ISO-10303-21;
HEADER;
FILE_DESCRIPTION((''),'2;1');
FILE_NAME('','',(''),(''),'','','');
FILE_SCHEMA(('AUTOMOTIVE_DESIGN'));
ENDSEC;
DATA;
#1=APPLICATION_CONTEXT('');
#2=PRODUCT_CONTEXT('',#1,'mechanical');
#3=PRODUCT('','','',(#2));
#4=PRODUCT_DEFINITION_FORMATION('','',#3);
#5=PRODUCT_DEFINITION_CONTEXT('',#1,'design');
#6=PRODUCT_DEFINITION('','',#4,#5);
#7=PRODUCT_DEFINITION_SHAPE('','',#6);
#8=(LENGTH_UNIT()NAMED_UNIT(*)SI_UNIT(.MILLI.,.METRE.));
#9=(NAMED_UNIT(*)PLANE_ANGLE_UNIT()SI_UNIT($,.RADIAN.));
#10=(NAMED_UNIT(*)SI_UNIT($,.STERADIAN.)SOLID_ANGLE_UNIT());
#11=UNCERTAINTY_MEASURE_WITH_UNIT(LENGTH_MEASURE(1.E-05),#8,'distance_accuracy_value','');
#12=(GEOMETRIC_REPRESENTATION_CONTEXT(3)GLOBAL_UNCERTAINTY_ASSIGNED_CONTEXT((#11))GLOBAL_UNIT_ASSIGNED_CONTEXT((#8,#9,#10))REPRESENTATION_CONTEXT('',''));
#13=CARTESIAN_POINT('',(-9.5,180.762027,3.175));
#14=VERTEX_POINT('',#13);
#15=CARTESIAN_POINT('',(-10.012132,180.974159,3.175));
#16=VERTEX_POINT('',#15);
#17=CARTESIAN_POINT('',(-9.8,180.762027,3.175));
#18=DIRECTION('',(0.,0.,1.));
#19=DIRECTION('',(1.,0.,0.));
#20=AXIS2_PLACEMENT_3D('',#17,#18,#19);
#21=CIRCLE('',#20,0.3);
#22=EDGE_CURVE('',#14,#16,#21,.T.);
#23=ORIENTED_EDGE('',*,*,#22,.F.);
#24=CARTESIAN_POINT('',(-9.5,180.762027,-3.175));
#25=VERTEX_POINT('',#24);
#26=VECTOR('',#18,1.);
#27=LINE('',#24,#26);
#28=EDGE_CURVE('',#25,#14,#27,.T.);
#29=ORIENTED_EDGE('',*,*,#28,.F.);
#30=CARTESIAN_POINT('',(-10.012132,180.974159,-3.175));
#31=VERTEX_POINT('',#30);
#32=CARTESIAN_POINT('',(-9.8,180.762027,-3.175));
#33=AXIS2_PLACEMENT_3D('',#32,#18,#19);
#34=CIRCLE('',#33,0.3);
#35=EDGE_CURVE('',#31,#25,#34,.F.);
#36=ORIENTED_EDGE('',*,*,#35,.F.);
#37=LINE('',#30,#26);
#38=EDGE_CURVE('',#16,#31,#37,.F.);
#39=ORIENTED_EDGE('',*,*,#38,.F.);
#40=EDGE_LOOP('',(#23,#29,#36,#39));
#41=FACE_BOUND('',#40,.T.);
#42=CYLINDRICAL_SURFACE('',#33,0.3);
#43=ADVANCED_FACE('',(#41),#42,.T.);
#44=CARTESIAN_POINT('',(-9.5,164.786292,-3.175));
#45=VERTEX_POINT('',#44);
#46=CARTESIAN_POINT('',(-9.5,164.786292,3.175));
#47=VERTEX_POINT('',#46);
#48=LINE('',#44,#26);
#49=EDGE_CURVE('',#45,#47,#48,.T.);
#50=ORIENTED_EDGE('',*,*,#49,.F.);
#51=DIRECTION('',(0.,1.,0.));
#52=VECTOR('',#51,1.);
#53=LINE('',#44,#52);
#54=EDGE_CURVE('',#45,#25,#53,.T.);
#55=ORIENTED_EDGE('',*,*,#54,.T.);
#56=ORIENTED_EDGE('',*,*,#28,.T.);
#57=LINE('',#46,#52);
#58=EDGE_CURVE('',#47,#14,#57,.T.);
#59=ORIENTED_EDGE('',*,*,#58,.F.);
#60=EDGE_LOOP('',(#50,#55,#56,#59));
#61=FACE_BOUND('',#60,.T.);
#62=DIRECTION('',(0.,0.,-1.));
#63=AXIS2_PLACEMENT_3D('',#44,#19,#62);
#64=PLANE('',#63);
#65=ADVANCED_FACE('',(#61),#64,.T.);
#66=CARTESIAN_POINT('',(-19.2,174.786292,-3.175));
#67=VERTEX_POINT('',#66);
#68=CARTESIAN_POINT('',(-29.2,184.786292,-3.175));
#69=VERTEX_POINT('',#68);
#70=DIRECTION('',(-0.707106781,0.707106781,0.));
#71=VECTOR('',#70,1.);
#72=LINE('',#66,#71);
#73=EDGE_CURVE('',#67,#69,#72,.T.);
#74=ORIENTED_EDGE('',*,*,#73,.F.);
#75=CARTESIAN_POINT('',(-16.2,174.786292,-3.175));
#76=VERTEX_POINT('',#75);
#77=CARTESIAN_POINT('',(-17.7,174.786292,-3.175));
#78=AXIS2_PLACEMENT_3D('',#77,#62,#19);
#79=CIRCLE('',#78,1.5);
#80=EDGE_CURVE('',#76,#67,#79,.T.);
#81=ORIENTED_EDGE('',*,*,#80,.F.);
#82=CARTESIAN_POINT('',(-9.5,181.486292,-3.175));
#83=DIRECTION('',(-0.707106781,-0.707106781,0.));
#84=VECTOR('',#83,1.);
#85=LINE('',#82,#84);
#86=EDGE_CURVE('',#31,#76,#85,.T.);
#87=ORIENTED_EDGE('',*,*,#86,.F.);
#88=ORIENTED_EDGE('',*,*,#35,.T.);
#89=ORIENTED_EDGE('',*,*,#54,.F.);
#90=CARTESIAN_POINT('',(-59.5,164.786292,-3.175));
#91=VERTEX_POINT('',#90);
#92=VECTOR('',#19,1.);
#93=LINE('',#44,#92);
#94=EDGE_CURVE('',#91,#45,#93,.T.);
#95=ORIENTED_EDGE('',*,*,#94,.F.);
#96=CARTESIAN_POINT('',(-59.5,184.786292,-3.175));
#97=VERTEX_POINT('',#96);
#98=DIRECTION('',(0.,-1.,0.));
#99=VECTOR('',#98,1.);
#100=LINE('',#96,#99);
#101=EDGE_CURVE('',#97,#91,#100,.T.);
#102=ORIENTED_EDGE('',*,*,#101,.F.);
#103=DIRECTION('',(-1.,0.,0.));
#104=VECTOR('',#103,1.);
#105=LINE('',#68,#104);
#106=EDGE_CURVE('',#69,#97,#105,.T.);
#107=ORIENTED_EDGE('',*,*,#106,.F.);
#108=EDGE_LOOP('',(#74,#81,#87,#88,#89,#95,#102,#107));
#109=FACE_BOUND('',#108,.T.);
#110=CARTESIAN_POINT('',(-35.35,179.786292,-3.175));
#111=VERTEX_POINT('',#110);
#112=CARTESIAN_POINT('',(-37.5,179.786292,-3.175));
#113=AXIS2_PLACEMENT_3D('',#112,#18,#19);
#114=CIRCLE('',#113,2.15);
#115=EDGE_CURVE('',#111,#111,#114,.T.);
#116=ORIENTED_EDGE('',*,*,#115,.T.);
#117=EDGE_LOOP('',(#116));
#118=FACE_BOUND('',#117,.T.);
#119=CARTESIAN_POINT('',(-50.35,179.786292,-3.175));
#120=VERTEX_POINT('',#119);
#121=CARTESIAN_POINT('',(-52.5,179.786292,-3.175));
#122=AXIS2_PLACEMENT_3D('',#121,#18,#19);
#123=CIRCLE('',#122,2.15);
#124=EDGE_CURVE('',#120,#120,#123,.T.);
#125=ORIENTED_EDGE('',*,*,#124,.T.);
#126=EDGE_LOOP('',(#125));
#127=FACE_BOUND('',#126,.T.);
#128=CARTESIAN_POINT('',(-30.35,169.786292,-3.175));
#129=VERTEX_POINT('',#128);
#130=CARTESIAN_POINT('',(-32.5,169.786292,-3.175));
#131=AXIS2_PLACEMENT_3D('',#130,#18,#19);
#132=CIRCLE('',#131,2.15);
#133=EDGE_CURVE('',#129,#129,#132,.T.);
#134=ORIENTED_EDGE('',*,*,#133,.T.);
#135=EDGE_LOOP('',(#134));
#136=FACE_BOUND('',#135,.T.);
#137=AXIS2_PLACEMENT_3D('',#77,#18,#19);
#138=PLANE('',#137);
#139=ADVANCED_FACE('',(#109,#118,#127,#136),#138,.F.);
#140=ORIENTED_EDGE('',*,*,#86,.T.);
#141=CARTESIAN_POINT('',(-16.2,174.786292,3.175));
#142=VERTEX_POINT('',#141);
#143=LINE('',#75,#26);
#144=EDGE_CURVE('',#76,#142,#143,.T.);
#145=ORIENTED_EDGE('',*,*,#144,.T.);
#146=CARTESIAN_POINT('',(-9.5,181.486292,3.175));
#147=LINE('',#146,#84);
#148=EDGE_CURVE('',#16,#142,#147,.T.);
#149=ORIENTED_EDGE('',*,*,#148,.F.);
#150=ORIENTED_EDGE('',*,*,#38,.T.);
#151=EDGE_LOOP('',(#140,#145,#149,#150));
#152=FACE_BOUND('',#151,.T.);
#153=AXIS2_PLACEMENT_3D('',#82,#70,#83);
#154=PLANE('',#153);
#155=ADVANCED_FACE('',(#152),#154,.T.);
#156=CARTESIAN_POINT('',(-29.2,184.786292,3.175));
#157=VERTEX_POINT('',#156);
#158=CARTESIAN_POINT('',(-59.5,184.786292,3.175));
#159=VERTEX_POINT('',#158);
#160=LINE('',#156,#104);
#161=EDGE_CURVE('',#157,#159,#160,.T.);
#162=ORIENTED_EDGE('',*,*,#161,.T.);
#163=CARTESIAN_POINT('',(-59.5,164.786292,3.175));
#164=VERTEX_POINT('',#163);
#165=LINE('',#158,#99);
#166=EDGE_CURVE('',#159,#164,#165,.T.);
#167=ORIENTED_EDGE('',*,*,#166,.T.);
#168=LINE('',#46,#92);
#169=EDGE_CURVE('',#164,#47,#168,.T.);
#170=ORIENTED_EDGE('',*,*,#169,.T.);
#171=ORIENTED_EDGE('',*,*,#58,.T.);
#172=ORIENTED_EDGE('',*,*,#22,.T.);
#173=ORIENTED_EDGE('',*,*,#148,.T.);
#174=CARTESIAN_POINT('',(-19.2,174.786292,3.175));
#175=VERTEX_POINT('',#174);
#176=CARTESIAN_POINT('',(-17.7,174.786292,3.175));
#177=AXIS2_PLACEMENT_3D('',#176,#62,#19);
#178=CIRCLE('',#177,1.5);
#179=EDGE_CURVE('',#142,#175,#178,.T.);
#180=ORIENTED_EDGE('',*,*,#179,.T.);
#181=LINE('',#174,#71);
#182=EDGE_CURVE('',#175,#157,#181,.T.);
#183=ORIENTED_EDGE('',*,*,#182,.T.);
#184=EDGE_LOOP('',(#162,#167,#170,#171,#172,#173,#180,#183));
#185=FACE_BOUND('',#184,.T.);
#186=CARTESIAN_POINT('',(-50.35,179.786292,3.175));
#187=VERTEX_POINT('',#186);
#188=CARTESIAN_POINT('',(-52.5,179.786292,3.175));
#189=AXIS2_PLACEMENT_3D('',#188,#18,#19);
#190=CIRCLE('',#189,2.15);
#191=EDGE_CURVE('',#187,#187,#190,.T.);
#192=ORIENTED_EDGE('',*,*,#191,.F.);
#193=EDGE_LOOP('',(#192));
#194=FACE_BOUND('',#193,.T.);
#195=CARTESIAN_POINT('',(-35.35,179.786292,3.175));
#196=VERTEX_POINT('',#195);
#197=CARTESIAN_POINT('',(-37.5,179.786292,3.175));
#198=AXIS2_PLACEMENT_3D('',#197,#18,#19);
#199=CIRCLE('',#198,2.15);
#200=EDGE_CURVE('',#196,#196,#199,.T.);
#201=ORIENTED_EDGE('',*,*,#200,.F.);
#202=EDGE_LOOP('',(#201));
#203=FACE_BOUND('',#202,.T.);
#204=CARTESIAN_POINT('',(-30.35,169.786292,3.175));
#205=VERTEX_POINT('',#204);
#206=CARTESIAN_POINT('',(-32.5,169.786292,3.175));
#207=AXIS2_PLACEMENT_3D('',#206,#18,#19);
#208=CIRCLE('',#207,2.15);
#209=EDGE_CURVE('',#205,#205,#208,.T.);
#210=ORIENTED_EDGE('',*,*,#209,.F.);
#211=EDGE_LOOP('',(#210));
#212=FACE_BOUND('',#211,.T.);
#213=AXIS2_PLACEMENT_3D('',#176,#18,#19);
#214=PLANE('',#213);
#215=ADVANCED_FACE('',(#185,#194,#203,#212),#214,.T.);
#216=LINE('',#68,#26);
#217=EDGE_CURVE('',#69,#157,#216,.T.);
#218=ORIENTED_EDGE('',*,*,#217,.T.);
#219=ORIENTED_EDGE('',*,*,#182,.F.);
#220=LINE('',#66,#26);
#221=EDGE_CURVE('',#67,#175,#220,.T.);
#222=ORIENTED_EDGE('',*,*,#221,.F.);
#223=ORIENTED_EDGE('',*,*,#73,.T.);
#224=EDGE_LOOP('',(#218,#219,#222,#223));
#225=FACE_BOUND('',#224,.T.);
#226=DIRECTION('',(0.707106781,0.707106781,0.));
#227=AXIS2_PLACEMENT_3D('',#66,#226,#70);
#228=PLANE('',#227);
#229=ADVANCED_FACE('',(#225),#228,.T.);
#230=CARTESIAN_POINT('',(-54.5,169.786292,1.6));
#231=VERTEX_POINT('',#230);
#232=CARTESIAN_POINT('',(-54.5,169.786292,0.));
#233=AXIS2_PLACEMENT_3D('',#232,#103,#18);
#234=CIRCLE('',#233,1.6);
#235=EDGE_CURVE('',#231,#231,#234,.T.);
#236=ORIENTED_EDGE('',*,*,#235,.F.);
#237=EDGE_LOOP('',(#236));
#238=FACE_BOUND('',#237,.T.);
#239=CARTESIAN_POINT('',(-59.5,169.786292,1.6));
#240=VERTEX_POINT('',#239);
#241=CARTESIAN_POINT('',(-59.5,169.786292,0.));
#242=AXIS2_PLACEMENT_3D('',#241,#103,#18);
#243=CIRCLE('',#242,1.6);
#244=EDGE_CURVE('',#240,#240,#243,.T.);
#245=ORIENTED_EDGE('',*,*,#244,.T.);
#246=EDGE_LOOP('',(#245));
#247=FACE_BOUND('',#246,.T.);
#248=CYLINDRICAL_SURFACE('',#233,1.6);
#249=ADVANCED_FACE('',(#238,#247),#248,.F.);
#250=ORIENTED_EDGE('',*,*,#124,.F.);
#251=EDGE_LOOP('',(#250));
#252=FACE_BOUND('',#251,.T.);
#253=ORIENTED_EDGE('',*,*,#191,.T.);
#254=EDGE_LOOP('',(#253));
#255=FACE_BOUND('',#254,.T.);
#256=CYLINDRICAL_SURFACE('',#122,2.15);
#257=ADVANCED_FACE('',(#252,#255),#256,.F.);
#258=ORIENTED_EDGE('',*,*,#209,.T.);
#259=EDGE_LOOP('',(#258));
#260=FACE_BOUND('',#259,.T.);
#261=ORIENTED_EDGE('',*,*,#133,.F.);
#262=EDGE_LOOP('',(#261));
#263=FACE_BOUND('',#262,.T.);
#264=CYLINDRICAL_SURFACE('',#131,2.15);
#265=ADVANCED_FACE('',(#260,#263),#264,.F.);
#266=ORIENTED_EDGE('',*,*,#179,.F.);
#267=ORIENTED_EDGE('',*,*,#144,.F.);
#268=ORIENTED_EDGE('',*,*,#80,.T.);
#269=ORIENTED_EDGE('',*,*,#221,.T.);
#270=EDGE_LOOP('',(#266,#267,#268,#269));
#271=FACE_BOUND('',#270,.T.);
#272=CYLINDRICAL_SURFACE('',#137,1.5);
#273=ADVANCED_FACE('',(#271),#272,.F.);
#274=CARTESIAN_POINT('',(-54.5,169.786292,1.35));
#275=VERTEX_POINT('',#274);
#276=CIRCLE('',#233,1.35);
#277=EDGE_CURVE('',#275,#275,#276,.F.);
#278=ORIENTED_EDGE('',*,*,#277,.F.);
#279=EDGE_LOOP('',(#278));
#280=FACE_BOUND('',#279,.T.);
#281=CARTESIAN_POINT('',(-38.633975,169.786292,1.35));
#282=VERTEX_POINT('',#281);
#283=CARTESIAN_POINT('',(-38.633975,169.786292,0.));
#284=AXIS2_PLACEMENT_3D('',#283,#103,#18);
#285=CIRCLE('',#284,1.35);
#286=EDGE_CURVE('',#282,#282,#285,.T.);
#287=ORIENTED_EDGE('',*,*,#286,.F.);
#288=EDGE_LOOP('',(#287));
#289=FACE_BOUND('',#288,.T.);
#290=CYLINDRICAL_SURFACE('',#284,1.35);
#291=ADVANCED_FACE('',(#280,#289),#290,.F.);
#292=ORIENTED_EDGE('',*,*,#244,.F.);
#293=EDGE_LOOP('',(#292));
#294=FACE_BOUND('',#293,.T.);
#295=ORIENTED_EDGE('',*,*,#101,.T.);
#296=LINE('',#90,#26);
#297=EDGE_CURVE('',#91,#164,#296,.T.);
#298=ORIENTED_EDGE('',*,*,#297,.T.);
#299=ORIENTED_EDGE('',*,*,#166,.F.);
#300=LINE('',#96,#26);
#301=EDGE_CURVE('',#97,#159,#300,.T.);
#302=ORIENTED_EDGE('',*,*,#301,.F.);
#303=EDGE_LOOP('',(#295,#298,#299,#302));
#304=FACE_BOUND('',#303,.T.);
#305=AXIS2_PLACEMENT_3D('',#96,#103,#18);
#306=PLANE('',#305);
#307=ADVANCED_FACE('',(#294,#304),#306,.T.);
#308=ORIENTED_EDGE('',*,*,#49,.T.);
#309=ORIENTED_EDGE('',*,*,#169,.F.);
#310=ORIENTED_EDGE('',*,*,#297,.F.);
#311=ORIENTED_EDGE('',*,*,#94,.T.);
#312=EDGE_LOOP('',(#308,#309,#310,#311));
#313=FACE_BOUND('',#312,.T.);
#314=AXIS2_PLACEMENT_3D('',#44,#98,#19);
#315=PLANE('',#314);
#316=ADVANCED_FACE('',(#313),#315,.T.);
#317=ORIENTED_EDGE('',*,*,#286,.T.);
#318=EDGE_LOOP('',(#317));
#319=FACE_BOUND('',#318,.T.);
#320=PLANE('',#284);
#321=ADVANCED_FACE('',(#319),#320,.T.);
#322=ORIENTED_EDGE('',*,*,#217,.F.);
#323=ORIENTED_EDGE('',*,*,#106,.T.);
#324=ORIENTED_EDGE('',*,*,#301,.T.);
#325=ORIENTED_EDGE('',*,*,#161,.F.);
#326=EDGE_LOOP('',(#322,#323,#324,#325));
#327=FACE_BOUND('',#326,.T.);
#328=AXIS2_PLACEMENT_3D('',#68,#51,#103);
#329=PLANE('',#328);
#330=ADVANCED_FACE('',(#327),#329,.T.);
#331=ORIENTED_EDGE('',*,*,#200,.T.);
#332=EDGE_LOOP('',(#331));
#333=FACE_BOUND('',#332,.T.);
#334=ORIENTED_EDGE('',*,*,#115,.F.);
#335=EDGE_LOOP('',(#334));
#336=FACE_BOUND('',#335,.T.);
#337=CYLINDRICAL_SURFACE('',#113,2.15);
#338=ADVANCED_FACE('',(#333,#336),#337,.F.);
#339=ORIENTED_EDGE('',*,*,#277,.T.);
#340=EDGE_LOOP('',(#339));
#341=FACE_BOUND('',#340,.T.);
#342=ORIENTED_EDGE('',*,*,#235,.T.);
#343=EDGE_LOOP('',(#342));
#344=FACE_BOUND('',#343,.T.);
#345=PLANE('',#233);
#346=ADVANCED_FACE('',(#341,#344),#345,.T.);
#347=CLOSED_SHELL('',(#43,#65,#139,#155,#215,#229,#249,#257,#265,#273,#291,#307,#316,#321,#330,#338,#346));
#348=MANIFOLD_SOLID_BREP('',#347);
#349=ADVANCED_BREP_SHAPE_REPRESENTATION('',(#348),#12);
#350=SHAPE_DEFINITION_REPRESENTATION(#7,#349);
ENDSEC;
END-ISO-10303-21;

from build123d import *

# Parameters (mm, degrees)
SKETCH1_R                = 2.15
BOSS_EXTRUDE1_DEPTH      = 3.175
BOSS_EXTRUDE1_DEPTH_BACK = 3.175
SKETCH2_R                = 1.35
CUT_EXTRUDE1_DEPTH       = 20.866025
SKETCH3_R                = 1.6
CUT_EXTRUDE2_DEPTH       = 5
FILLET1_R                = 0.3


with BuildPart() as part:
    # Sketch1 → Boss-Extrude1 (new body, two sides)
    with BuildSketch(Plane.XY) as boss_extrude1_sk:
        with BuildLine():
            Line((-9.5, 164.786291501), (-59.5, 164.786291501))
            Line((-59.5, 164.786291501), (-59.5, 184.786291501))
            Line((-59.5, 184.786291501), (-29.2, 184.786291501))
            Line((-29.2, 184.786291501), (-19.2, 174.786291501))
            ThreePointArc((-19.2, 174.786291501), (-17.7, 173.286291501), (-16.2, 174.786291501))
            Line((-16.2, 174.786291501), (-9.5, 181.486291501))
            Line((-9.5, 181.486291501), (-9.5, 164.786291501))
        make_face()
        with Locations((-52.5, 179.786291501)):
            Circle(SKETCH1_R, mode=Mode.SUBTRACT)
        with Locations((-37.5, 179.786291501)):
            Circle(SKETCH1_R, mode=Mode.SUBTRACT)
        with Locations((-32.5, 169.786291501)):
            Circle(SKETCH1_R, mode=Mode.SUBTRACT)
    extrude(amount=BOSS_EXTRUDE1_DEPTH)
    extrude(boss_extrude1_sk.sketch, amount=-BOSS_EXTRUDE1_DEPTH_BACK)

    # Sketch2 → Cut-Extrude1 (cut)
    with BuildSketch(Plane.ZY.offset(59.5)):
        with Locations((0, 169.786291501)):
            Circle(SKETCH2_R)
    extrude(amount=-CUT_EXTRUDE1_DEPTH, mode=Mode.SUBTRACT)

    # Sketch3 → Cut-Extrude2 (cut)
    with BuildSketch(Plane.ZY.offset(59.5)):
        with Locations((0, 169.786291501)):
            Circle(SKETCH3_R)
    extrude(amount=-CUT_EXTRUDE2_DEPTH, mode=Mode.SUBTRACT)

    # Fillet1
    fillet1_edges = [part.edges().sort_by_distance(p)[0] for p in [
        (-9.5, 181.486291501, 0),
    ]]
    fillet(fillet1_edges, radius=FILLET1_R)


solid = part.part
